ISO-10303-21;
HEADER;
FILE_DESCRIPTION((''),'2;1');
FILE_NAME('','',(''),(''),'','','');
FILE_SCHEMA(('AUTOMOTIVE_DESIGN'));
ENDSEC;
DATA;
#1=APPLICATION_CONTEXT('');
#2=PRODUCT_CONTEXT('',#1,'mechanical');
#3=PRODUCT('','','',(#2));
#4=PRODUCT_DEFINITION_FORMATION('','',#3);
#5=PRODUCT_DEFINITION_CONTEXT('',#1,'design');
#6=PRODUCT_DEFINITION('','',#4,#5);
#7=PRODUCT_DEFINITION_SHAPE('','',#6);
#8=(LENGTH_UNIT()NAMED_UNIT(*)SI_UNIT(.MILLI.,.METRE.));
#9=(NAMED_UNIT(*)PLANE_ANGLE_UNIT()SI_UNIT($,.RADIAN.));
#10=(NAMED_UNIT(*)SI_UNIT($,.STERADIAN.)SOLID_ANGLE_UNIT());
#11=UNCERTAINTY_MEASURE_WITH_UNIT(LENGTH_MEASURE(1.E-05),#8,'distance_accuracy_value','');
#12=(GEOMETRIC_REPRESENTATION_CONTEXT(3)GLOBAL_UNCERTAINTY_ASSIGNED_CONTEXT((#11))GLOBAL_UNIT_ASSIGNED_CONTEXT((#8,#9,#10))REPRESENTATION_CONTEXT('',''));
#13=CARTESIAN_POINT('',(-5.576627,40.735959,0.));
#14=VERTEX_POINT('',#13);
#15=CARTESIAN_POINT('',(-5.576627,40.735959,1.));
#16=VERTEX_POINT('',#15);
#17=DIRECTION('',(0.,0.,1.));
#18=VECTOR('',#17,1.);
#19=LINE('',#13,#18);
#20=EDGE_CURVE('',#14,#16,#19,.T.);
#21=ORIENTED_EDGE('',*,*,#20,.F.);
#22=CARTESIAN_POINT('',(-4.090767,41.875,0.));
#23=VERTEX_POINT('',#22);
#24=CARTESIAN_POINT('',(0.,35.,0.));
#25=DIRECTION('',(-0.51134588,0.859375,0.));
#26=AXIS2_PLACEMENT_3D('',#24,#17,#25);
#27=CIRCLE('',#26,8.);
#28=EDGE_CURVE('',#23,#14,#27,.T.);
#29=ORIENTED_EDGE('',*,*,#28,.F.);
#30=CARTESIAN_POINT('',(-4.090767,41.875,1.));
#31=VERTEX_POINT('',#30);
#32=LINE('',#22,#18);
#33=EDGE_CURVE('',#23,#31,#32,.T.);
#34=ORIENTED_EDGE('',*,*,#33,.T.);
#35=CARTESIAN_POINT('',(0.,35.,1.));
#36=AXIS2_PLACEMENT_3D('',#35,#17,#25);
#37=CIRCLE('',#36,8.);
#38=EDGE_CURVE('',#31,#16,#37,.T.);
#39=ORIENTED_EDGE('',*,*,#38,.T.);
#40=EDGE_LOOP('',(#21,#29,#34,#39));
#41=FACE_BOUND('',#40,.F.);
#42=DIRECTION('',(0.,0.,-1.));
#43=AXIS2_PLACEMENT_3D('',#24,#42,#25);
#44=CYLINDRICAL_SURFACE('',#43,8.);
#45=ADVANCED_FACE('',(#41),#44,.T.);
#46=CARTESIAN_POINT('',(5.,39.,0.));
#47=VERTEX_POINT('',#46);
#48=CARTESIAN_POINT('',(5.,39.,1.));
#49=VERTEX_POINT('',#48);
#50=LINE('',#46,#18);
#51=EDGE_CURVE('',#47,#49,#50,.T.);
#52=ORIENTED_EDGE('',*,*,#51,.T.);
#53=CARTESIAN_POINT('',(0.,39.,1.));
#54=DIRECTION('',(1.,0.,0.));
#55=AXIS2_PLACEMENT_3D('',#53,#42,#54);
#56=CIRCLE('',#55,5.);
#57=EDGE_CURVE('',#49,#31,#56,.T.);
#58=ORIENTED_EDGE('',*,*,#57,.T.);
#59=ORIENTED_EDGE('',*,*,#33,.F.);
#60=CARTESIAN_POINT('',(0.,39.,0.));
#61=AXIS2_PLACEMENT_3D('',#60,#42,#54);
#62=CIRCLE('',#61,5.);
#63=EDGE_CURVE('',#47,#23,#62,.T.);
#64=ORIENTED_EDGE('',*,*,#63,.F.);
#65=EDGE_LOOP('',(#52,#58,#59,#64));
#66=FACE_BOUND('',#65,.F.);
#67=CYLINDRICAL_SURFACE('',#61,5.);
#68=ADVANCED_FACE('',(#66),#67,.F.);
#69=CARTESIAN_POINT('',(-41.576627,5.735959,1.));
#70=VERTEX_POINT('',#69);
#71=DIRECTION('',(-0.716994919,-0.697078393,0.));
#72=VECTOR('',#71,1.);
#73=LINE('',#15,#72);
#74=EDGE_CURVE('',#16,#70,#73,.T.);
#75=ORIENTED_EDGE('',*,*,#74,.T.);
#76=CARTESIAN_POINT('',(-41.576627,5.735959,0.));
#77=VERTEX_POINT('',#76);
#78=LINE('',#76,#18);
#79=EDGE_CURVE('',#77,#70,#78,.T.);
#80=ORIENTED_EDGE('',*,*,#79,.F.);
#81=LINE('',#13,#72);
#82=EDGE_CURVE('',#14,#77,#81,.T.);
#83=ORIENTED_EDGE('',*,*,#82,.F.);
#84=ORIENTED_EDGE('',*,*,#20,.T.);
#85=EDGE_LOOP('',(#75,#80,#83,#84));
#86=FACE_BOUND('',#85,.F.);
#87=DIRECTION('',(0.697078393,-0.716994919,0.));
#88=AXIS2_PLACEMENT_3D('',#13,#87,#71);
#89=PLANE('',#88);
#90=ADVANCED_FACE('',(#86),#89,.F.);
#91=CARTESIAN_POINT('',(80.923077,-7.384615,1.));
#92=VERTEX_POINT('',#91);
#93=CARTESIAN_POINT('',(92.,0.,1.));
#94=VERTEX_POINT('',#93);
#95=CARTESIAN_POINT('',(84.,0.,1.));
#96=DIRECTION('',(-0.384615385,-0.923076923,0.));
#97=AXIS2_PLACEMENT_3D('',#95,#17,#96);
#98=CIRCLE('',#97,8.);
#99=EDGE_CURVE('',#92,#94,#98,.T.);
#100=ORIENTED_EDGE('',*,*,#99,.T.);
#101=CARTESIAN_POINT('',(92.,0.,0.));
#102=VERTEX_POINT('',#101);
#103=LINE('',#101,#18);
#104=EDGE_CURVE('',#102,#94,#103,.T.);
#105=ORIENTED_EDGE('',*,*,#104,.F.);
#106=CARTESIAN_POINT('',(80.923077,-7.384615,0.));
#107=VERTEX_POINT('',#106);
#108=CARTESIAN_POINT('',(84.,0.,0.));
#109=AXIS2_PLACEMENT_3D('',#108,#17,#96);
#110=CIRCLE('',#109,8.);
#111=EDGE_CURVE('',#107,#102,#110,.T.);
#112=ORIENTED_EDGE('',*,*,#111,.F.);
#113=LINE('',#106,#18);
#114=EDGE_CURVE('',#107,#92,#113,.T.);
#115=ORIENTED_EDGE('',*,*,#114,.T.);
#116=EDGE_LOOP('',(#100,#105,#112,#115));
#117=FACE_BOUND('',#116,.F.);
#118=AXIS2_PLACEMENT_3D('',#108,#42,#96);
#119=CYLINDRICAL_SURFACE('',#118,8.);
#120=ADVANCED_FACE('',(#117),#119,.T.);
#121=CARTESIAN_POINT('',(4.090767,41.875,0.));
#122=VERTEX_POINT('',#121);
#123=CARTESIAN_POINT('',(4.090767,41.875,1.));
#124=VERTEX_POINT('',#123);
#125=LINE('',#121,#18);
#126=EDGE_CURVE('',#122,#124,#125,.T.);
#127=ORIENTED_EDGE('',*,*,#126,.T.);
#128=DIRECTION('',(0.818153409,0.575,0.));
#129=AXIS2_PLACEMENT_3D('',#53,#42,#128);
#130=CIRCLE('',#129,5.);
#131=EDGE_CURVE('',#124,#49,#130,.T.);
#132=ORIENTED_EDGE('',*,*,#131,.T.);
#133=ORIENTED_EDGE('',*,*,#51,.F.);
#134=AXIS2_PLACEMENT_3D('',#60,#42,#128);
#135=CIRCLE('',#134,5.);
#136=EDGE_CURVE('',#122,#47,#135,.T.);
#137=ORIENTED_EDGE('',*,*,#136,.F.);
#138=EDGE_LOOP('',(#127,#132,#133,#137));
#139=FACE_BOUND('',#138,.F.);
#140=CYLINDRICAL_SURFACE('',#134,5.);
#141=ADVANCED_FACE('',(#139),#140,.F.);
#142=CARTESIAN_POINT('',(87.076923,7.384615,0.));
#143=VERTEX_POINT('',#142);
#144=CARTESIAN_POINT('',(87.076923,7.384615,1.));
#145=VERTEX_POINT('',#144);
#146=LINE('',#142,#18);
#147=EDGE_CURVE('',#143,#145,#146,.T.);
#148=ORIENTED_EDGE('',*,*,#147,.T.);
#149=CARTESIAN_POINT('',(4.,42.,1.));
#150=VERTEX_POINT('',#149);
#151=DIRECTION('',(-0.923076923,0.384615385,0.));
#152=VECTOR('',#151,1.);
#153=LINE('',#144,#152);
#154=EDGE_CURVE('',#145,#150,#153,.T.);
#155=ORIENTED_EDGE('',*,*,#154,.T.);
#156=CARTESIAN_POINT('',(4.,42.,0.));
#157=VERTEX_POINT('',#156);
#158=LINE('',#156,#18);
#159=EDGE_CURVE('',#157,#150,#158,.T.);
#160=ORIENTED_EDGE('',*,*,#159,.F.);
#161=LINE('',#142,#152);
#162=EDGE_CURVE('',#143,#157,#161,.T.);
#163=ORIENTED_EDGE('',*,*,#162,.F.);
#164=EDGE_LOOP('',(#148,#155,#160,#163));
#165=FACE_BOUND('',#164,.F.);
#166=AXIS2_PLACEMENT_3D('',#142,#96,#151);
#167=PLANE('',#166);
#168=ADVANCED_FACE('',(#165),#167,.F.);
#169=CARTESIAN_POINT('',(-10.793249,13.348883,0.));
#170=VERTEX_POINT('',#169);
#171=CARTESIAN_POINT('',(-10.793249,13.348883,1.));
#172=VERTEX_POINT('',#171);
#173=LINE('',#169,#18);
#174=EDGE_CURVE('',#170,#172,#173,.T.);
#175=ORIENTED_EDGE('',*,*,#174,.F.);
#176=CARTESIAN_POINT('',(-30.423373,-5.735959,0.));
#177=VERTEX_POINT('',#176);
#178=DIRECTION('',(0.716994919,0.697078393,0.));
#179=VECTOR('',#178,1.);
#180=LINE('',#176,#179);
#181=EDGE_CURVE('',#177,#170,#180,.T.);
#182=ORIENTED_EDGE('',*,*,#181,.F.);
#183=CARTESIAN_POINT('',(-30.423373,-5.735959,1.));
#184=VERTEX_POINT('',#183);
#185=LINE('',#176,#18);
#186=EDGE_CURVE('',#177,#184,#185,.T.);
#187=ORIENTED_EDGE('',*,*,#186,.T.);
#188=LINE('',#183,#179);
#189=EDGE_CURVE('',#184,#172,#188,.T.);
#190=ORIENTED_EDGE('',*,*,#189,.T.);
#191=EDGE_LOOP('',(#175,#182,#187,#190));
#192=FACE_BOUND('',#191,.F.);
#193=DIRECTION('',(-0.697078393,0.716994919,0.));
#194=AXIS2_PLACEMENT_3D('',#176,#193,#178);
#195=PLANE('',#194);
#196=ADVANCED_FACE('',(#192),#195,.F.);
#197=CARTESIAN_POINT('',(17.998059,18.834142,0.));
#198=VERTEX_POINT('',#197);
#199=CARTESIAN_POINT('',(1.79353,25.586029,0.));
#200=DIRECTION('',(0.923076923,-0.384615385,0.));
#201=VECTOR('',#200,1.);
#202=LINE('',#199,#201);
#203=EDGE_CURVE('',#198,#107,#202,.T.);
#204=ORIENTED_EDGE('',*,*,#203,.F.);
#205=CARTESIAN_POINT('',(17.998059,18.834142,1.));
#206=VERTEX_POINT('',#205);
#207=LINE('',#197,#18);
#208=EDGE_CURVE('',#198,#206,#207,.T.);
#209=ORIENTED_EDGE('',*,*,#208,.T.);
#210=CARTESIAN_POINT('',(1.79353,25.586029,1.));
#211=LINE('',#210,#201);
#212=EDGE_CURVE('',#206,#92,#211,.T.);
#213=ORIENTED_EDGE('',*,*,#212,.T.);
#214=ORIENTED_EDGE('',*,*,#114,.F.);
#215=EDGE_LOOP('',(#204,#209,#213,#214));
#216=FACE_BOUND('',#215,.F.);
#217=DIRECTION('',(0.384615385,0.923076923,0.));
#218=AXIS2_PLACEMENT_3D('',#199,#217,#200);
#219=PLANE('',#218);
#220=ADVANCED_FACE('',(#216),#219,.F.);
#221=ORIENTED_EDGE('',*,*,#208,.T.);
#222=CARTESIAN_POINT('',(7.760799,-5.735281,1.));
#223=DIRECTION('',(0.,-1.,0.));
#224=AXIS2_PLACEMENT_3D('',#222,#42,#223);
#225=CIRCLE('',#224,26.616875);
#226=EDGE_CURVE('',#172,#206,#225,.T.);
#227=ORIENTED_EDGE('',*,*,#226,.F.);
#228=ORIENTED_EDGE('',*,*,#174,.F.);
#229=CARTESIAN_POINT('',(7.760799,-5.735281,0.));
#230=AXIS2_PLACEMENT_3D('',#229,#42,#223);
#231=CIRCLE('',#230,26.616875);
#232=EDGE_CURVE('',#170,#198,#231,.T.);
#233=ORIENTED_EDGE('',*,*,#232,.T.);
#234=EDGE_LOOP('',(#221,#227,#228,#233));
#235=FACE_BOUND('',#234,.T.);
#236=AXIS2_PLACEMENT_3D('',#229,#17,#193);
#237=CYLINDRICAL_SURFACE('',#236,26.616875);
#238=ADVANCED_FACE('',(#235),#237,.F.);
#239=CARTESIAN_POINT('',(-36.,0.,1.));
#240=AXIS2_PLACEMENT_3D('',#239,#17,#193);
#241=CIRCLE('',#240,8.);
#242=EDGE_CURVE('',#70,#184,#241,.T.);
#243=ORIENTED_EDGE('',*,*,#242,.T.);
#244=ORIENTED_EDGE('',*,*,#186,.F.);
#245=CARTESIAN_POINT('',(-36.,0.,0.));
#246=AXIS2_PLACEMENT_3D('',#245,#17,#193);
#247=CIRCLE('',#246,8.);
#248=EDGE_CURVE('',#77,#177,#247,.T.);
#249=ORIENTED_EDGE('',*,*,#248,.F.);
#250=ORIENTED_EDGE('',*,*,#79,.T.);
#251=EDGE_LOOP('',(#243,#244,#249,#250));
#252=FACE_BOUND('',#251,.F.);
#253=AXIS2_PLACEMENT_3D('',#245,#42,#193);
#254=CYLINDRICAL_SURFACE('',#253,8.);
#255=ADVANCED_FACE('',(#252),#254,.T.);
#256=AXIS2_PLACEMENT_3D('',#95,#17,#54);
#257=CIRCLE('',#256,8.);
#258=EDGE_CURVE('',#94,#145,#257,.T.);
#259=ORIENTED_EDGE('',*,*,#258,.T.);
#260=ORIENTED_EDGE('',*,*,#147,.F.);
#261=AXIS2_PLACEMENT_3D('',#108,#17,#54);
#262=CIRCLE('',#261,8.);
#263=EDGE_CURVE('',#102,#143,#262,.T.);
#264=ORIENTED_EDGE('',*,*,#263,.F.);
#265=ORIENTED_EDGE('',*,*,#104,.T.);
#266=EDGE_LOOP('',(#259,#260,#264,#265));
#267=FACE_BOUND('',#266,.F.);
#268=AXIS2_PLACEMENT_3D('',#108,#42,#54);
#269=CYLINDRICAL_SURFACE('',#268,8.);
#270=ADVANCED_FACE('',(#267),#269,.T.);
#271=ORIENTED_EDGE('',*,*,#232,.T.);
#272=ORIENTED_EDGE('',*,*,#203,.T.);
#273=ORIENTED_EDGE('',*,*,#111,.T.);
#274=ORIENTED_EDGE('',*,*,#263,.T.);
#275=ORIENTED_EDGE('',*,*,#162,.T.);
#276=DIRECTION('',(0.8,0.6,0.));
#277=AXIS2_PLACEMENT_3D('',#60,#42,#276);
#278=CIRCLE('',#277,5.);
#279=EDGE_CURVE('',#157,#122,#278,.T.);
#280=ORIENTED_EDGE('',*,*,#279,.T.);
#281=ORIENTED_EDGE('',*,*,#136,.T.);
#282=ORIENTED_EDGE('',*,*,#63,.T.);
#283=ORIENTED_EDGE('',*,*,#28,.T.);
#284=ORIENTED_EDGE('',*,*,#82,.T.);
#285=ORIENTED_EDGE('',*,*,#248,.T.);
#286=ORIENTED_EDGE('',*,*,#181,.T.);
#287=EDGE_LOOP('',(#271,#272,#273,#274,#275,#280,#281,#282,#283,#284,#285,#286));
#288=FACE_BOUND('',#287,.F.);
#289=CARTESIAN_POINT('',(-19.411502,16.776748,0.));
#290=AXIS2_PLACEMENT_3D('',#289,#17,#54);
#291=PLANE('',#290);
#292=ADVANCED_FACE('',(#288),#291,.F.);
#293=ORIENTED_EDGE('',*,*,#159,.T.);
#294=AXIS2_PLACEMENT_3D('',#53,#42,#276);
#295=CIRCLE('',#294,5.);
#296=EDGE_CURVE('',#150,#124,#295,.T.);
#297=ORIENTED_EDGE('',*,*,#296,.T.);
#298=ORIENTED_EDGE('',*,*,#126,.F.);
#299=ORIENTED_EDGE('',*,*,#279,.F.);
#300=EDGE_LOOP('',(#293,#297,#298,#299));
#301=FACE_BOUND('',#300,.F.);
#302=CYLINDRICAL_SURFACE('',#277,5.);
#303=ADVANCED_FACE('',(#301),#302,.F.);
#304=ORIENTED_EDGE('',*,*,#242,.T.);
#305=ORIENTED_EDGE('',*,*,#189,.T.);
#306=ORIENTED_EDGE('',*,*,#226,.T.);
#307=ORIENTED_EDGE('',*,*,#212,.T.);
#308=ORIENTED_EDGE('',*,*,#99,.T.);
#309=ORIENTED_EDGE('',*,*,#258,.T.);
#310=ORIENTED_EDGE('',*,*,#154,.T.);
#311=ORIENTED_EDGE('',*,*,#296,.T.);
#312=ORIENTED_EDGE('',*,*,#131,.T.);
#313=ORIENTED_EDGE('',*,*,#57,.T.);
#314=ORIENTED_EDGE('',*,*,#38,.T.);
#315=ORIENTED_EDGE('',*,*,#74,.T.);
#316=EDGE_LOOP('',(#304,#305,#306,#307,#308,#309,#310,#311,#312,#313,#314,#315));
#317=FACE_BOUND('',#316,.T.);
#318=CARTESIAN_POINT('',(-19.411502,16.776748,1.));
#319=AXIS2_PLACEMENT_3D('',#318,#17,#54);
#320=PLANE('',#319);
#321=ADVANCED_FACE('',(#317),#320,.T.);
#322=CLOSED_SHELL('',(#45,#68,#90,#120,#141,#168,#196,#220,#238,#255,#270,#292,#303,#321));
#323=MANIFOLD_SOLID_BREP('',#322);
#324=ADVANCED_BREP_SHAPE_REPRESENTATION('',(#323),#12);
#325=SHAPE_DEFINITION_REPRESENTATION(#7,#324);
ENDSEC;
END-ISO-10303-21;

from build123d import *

# Parameters (mm, degrees)
F1_DEPTH = 1
F2_R     = 26.6168746284


with BuildPart() as f1:
    # F0 (on Top) → F1 (new body)
    with BuildSketch(Plane.XY):
        with BuildLine():
            ThreePointArc((-3.0769230769, 27.6153846154), (-7.8586483069, 33.502786993), (-5.5766271463, 40.7359593505))
            Line((-5.5766271463, 40.7359593505), (-41.5766271463, 5.7359593505))
            ThreePointArc((-41.5766271463, 5.7359593505), (-32.8865627653, 7.3692949856), (-28, 0))
            ThreePointArc((-28, 0), (-28.6307050144, -3.1134372347), (-30.4233728537, -5.7359593505))
            Line((-30.4233728537, -5.7359593505), (1.7935297348, 25.5860292772))
            Line((1.7935297348, 25.5860292772), (-3.0769230769, 27.6153846154))
        make_face()
        with BuildLine():
            ThreePointArc((-28, 0), (-32.8865627653, 7.3692949856), (-41.5766271463, 5.7359593505))
            ThreePointArc((-41.5766271463, 5.7359593505), (-41.7359593505, -5.5766271463), (-30.4233728537, -5.7359593505))
            ThreePointArc((-30.4233728537, -5.7359593505), (-28.6307050144, -3.1134372347), (-28, 0))
        make_face()
        with BuildLine():
            ThreePointArc((87.0769230769, 7.3846153846), (76.6153846154, 3.0769230769), (80.9230769231, -7.3846153846))
            ThreePointArc((80.9230769231, -7.3846153846), (88.4376015698, -6.6564023547), (92, 0))
            ThreePointArc((92, 0), (90.6564023547, 4.4376015698), (87.0769230769, 7.3846153846))
        make_face()
        with BuildLine():
            ThreePointArc((8, 35), (7.3692949856, 31.8865627653), (5.5766271463, 29.2640406495))
            Line((5.5766271463, 29.2640406495), (1.7935297348, 25.5860292772))
            Line((1.7935297348, 25.5860292772), (80.9230769231, -7.3846153846))
            ThreePointArc((80.9230769231, -7.3846153846), (76.6153846154, 3.0769230769), (87.0769230769, 7.3846153846))
            Line((87.0769230769, 7.3846153846), (4, 42))
            ThreePointArc((4, 42), (4.0458662961, 41.9378505602), (4.090767043, 41.875))
            ThreePointArc((4.090767043, 41.875), (6.9543560573, 38.9543560573), (8, 35))
        make_face()
        with BuildLine():
            ThreePointArc((-4.090767043, 41.875), (-4.8671327292, 41.3490959196), (-5.5766271463, 40.7359593505))
            ThreePointArc((-5.5766271463, 40.7359593505), (-7.8586483069, 33.502786993), (-3.0769230769, 27.6153846154))
            ThreePointArc((-3.0769230769, 27.6153846154), (1.497213007, 27.1413516931), (5.5766271463, 29.2640406495))
            ThreePointArc((5.5766271463, 29.2640406495), (7.3692949856, 31.8865627653), (8, 35))
            ThreePointArc((8, 35), (6.9543560573, 38.9543560573), (4.090767043, 41.875))
            ThreePointArc((4.090767043, 41.875), (4.7672757008, 40.5076744982), (5, 39))
            ThreePointArc((5, 39), (-1.5076744982, 34.2327242992), (-4.090767043, 41.875))
        make_face()
        with BuildLine():
            ThreePointArc((5.5766271463, 29.2640406495), (1.497213007, 27.1413516931), (-3.0769230769, 27.6153846154))
            Line((-3.0769230769, 27.6153846154), (1.7935297348, 25.5860292772))
            Line((1.7935297348, 25.5860292772), (5.5766271463, 29.2640406495))
        make_face()
    extrude(amount=F1_DEPTH)

    # F2
    f2_edges = [f1.edges().sort_by_distance(p)[0] for p in [
        (1.79353, 25.586029, 0.5),
    ]]
    fillet(f2_edges, radius=F2_R)


solid = f1.part
